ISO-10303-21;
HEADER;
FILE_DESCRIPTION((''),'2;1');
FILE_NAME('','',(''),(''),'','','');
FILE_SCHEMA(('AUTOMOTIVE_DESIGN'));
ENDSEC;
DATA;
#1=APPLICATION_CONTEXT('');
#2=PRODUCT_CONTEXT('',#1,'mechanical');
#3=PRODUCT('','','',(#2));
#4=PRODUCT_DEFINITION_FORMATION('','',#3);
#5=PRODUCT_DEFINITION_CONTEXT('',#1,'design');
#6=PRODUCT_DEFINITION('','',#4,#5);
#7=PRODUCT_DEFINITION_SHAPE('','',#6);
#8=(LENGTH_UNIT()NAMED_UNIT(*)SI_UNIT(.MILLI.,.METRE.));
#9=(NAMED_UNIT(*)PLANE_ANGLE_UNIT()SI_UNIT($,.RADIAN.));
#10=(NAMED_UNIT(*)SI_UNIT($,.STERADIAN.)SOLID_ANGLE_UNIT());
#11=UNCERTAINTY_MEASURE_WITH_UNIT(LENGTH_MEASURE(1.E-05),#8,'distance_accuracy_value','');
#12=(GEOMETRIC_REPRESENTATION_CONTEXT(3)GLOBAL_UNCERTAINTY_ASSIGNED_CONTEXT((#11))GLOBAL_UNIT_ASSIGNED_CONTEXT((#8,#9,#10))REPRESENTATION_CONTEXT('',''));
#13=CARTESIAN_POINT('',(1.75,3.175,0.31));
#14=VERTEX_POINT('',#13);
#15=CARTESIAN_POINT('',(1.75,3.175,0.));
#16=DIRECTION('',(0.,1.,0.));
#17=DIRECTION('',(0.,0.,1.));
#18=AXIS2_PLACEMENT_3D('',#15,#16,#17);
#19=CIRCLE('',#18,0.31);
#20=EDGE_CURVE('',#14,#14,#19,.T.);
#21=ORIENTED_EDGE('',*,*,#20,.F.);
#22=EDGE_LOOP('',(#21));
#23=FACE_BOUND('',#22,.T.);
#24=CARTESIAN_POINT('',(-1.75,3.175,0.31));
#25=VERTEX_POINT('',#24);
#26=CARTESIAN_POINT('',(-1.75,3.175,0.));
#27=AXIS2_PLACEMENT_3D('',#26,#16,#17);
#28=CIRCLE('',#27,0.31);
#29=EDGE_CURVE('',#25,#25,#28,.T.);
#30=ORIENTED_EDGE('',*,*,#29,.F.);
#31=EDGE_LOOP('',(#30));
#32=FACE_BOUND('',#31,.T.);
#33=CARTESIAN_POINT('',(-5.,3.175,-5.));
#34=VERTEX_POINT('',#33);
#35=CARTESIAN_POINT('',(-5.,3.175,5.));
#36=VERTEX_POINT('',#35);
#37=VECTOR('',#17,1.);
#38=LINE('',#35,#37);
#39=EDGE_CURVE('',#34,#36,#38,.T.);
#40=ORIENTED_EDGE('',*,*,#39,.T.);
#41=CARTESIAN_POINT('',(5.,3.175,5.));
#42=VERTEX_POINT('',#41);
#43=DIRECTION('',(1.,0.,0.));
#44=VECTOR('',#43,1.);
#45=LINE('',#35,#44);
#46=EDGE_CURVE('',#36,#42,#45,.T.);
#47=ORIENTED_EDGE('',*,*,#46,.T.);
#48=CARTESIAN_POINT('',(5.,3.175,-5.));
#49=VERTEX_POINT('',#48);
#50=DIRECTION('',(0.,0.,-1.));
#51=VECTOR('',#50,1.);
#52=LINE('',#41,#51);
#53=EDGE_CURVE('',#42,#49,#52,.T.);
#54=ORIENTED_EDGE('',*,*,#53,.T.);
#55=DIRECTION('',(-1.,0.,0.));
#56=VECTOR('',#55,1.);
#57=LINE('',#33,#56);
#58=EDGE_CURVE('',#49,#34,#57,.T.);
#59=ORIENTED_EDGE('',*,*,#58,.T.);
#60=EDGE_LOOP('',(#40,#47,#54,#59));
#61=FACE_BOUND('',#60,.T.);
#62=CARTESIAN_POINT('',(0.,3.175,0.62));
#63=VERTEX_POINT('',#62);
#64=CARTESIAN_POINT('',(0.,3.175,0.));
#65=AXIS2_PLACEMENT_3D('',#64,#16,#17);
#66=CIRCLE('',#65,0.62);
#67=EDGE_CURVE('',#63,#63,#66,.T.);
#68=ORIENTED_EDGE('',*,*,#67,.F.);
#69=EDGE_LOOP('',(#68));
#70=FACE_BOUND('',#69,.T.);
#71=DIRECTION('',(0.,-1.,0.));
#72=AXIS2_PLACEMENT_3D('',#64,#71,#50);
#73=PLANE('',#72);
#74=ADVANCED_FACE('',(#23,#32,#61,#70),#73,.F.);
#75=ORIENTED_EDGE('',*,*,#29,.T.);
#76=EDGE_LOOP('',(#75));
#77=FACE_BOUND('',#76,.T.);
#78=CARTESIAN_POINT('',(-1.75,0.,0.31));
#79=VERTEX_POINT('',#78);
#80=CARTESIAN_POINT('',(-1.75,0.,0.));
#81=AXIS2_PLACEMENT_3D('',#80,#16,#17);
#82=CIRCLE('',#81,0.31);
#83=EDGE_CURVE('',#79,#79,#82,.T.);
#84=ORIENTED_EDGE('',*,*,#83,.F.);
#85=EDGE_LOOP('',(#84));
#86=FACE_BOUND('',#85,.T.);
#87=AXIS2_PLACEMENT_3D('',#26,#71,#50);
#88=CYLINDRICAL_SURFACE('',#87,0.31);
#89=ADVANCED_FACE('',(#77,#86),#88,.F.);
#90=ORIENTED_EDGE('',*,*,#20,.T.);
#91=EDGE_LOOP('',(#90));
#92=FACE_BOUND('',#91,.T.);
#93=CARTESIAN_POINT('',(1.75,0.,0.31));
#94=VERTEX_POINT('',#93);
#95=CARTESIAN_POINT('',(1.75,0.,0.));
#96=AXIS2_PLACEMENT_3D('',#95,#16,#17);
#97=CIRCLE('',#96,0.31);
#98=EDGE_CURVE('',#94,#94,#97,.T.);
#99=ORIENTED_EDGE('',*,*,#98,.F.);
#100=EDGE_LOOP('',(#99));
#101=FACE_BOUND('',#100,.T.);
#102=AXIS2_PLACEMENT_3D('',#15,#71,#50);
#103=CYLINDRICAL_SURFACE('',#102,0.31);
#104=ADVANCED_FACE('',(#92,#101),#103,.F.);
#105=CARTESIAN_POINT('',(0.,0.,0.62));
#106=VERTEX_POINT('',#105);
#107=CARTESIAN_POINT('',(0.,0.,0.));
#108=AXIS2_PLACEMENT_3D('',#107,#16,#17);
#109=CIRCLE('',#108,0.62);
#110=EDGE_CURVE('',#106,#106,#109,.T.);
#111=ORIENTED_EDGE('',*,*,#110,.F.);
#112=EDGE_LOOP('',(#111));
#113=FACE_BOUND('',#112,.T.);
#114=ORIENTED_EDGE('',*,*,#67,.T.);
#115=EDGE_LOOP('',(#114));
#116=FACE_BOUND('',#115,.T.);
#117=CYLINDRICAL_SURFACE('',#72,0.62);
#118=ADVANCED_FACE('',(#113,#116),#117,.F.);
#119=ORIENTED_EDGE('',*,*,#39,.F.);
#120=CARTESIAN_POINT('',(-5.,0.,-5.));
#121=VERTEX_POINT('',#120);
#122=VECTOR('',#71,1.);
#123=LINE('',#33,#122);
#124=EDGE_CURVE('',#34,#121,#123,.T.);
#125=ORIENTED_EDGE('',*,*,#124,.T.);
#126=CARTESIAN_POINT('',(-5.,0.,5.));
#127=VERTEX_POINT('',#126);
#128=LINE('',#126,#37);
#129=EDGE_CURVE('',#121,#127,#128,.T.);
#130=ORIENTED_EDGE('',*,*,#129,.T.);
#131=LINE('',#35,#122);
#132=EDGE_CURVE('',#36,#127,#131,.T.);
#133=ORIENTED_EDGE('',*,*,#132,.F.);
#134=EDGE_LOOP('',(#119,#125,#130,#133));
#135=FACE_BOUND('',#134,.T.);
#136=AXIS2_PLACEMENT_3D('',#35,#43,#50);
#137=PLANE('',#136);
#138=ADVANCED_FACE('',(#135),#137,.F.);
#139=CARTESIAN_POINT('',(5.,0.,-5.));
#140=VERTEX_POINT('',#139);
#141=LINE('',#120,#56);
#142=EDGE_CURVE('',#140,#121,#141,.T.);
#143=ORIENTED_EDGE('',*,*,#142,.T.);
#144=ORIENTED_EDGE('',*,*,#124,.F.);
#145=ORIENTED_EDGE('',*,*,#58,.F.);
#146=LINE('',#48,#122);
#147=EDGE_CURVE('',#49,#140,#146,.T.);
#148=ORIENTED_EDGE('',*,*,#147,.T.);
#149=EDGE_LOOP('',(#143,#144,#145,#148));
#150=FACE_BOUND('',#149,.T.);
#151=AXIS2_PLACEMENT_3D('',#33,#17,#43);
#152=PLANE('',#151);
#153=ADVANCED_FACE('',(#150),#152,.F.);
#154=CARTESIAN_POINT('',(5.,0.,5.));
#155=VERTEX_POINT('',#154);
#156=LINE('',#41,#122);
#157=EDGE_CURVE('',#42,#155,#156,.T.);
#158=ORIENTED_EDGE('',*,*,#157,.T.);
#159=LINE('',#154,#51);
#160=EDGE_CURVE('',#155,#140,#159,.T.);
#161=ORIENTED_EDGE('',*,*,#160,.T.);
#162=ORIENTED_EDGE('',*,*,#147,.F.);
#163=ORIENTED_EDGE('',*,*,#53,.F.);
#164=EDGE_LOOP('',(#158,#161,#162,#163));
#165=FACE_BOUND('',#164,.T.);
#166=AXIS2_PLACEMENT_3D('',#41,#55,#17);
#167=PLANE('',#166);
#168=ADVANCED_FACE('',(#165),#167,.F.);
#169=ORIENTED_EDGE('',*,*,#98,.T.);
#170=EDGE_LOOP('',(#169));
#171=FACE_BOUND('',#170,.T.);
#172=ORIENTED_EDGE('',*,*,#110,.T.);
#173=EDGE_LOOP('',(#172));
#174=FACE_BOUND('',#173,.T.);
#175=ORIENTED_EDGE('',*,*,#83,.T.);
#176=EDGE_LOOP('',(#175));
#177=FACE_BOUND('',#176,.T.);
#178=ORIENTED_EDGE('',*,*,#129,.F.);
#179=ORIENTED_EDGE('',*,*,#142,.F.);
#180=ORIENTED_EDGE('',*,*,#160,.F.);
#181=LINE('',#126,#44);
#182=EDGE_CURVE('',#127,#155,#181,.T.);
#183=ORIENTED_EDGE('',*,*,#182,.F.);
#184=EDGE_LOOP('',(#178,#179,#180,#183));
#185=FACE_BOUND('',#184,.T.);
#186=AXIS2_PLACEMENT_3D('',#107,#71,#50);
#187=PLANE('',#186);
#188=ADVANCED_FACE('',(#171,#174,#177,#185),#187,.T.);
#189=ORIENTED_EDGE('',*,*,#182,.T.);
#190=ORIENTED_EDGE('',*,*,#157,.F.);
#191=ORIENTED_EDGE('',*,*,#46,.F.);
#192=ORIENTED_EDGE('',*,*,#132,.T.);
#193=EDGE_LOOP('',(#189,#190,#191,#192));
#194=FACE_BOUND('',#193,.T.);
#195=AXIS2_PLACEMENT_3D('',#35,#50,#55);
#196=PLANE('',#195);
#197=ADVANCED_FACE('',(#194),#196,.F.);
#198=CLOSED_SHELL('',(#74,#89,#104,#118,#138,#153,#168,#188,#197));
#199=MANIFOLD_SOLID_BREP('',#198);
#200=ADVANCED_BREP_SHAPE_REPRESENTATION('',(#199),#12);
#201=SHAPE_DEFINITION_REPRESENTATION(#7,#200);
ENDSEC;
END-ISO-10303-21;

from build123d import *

# Parameters (mm, degrees)
SKETCH1_W           = 10
SKETCH1_H           = 10
SKETCH1_R           = 0.31
SKETCH1_R_2         = 0.62
BOSS_EXTRUDE1_DEPTH = 3.175


with BuildPart() as part:
    # Sketch1 → Boss-Extrude1 (new body)
    with BuildSketch(Plane(origin=(0, 0, 0), x_dir=(1, 0, 0), z_dir=(0, 1, 0))):
        Rectangle(SKETCH1_W, SKETCH1_H)
        with Locations((-1.75, 0)):
            Circle(SKETCH1_R, mode=Mode.SUBTRACT)
        Circle(SKETCH1_R_2, mode=Mode.SUBTRACT)
        with Locations((1.75, 0)):
            Circle(SKETCH1_R, mode=Mode.SUBTRACT)
    extrude(amount=BOSS_EXTRUDE1_DEPTH)


solid = part.part
